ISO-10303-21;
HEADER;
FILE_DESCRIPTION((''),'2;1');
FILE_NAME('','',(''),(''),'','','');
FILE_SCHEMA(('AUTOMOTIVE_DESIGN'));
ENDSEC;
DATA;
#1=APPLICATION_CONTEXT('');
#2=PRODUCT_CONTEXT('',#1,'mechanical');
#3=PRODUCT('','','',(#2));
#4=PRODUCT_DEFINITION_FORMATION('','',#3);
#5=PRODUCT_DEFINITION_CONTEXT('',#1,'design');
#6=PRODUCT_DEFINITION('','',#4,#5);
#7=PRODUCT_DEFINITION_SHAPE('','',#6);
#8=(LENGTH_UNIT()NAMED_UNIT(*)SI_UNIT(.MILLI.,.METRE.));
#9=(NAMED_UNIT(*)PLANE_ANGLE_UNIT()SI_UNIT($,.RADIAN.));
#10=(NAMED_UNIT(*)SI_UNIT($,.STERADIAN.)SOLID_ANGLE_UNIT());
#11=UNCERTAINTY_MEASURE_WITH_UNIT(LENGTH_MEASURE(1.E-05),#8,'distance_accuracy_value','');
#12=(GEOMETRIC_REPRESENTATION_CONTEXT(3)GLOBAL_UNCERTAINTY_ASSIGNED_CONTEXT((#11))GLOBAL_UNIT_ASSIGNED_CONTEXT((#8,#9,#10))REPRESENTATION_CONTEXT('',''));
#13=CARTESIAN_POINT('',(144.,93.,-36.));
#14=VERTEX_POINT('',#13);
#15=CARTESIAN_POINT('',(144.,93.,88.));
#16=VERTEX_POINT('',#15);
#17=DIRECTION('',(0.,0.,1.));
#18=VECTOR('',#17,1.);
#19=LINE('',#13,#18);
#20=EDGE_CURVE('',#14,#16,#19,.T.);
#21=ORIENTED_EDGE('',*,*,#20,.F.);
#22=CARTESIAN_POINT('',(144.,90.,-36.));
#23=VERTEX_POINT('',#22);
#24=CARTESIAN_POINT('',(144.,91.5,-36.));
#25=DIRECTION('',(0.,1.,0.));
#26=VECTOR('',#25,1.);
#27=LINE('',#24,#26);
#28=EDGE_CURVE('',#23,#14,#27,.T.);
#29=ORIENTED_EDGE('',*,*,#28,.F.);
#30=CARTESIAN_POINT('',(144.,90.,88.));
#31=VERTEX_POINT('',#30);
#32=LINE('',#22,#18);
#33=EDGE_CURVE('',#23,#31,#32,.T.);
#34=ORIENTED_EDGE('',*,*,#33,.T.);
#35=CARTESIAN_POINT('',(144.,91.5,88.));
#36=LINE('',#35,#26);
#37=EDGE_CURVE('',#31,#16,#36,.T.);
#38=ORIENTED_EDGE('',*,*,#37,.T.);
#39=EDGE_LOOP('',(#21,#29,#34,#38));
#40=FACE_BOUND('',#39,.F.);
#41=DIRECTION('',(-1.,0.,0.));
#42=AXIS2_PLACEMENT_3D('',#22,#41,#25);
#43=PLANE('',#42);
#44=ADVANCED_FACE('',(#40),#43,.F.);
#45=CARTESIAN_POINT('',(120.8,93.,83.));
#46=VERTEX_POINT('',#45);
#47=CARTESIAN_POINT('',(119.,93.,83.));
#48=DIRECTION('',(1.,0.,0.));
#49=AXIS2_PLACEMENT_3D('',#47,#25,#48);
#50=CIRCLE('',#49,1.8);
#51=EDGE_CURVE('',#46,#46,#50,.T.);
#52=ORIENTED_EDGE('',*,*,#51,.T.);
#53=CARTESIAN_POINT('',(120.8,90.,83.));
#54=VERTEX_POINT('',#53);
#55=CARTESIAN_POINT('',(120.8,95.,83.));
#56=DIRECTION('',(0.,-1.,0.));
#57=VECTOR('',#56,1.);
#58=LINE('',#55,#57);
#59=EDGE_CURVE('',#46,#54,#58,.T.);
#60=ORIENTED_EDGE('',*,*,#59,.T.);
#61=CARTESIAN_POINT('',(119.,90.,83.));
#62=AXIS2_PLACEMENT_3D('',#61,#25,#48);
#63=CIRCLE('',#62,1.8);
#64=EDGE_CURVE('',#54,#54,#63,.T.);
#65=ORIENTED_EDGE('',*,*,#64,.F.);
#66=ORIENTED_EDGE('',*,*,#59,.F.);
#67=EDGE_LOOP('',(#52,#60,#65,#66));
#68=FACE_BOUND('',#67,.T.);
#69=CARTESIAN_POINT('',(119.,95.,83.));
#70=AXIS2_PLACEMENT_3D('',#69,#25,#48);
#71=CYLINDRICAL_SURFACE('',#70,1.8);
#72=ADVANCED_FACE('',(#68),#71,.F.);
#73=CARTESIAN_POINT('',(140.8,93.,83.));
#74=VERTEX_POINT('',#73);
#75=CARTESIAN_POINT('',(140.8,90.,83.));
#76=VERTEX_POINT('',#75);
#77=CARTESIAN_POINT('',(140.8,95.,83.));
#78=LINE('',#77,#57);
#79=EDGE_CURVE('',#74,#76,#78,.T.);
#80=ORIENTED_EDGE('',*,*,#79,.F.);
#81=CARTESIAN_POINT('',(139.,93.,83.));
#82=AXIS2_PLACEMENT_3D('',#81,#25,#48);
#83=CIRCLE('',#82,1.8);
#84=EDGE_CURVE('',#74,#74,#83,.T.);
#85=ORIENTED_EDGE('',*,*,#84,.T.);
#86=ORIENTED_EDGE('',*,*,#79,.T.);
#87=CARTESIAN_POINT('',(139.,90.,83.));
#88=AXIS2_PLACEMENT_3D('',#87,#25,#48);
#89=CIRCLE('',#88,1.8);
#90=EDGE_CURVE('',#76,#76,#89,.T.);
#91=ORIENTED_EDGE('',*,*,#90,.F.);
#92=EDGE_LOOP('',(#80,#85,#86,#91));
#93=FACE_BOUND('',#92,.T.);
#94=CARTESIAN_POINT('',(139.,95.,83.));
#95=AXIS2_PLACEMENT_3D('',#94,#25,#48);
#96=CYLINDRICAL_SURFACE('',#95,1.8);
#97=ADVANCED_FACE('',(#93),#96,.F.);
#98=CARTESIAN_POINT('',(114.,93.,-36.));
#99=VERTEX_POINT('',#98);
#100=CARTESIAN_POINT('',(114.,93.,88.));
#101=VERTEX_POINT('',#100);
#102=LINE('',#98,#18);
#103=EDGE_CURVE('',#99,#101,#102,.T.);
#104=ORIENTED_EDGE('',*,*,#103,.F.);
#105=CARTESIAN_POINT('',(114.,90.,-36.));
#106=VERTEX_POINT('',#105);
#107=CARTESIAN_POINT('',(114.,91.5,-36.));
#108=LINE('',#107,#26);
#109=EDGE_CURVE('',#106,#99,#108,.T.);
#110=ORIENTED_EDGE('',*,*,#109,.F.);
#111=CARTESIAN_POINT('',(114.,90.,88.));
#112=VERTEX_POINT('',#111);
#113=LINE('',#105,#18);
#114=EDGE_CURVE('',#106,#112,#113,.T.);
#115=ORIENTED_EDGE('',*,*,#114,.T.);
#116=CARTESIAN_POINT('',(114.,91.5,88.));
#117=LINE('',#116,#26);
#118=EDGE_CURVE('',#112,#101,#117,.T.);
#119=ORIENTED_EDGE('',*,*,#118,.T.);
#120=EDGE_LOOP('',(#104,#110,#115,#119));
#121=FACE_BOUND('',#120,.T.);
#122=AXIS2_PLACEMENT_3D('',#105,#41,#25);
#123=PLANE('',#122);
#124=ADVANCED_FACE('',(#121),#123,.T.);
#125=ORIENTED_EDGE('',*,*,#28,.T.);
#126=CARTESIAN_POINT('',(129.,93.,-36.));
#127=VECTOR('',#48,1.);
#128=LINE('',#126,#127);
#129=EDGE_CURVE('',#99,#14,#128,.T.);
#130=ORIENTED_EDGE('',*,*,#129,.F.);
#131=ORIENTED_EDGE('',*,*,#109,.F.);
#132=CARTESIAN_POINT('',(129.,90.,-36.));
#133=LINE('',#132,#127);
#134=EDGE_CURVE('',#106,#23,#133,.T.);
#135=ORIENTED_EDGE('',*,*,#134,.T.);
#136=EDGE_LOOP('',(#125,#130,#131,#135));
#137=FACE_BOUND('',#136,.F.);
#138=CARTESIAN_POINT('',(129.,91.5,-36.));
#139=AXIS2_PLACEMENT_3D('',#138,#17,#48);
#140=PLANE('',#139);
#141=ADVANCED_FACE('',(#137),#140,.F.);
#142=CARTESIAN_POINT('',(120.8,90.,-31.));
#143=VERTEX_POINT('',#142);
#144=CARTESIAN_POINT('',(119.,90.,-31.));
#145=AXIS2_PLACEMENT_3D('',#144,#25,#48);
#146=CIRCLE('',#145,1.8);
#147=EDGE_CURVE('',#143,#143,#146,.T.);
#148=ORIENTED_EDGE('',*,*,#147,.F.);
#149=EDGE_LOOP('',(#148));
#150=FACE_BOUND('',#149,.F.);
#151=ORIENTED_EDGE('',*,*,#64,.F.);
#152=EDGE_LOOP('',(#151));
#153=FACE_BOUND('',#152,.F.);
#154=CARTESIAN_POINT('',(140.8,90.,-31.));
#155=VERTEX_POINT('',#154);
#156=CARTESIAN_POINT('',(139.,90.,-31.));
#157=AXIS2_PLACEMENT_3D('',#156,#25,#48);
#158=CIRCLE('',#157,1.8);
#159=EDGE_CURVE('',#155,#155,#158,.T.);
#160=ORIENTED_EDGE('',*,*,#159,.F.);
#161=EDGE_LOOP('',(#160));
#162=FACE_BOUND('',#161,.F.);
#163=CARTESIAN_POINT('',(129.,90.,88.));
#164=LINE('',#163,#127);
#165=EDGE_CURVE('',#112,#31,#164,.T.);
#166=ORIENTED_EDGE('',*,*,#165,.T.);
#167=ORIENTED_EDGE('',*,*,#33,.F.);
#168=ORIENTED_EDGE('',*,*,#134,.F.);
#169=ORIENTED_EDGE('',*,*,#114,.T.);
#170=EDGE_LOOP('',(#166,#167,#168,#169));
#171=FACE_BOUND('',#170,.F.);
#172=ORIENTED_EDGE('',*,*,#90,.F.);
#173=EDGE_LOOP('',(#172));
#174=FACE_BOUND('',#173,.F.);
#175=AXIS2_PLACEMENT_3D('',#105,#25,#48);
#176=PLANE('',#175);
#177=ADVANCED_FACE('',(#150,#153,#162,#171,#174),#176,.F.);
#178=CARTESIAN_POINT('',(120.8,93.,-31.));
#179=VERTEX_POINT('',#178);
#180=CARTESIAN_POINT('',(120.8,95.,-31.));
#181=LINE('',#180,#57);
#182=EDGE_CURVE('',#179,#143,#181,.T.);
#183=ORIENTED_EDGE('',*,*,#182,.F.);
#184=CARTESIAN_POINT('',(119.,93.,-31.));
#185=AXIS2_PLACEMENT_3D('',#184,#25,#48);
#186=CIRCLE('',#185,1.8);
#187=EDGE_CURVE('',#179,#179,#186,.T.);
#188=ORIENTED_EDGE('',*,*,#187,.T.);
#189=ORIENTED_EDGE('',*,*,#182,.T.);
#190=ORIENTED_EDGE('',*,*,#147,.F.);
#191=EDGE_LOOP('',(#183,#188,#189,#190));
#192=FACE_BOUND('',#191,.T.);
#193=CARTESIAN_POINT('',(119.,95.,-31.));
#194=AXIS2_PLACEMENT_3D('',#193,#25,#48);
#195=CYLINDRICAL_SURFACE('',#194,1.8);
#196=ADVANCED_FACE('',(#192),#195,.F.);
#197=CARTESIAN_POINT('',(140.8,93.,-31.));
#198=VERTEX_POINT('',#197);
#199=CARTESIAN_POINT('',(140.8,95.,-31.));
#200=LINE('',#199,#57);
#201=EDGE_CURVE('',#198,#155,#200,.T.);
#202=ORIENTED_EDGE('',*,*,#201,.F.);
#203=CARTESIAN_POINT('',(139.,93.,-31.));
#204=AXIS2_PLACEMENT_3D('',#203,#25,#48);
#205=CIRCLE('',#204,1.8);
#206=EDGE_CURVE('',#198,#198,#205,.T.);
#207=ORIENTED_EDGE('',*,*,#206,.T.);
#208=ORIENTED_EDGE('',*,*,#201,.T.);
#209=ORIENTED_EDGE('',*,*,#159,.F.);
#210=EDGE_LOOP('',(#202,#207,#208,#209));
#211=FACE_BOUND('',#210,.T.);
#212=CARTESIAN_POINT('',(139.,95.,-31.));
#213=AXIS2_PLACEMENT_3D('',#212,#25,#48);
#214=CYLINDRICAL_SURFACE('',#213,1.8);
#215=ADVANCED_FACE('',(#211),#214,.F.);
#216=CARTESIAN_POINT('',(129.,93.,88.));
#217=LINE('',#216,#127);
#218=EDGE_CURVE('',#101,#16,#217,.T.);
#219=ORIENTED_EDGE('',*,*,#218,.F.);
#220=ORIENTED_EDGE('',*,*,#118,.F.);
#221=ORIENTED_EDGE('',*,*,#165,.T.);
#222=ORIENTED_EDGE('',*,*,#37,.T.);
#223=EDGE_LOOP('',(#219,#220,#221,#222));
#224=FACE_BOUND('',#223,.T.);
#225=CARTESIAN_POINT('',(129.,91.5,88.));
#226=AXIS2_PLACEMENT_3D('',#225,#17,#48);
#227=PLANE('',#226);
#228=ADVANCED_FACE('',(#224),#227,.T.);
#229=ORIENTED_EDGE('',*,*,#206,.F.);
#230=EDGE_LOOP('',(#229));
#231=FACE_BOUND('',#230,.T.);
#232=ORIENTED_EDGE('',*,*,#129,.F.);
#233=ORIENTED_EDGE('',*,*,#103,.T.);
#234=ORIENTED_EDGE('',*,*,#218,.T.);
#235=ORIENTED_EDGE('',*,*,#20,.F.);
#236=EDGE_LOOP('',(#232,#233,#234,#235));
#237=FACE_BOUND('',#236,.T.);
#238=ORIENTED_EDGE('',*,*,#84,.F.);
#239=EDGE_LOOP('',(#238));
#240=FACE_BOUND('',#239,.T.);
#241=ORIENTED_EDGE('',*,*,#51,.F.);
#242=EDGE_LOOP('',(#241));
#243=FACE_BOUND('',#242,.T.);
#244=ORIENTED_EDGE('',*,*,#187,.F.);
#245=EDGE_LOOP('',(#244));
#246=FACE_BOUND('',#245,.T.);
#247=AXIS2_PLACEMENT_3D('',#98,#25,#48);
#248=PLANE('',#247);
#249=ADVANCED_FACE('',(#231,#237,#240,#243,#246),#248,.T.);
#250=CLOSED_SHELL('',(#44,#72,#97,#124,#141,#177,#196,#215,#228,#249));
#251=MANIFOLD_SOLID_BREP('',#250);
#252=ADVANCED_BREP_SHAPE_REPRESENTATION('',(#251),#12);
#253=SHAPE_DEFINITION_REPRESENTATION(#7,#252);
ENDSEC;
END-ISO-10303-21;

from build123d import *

# Parameters (mm, degrees)
CYLINDER038_R       = 1.8
CYLINDER038_DEPTH   = 10
ARRAY001019_X_COUNT = 2
ARRAY001019_X_PITCH = 20
ARRAY001019_Z_COUNT = 2
ARRAY001019_Z_PITCH = 114
BOX018_W            = 30
BOX018_H            = 3
BOX018_DEPTH        = 124


with BuildPart() as side_connector_hole_array:
    # Cylinder038 → Cylinder038 (new body)
    with BuildSketch(Plane.XZ):
        Circle(CYLINDER038_R)
    extrude(amount=CYLINDER038_DEPTH)

    # Array001019 X: side connector hole array ×2


with BuildPart() as side_connector_hole_array_1:
    add(side_connector_hole_array.part)
    with Locations(*[(i * ARRAY001019_X_PITCH, 0, 0) for i in range(1, ARRAY001019_X_COUNT)]):
        add(side_connector_hole_array.part)

    # Array001019 Z: side connector hole array ×2


with BuildPart() as side_connector_hole_array_2:
    add(side_connector_hole_array_1.part)
    with Locations(*[(0, 0, i * ARRAY001019_Z_PITCH) for i in range(1, ARRAY001019_Z_COUNT)]):
        add(side_connector_hole_array_1.part)


with BuildPart() as side_connector_hole_array_3:
    # Array001019 placement: moved
    add(side_connector_hole_array_2.part.moved(Location((5, 5, 5))))


with BuildPart() as vertical_side_connector_clone002:
    # Box018 → Box018 (new body)
    with BuildSketch(Plane.XY):
        with Locations((15, 1.5)):
            Rectangle(BOX018_W, BOX018_H)
    extrude(amount=BOX018_DEPTH)

    # Cut014: cut side connector hole array
    add(side_connector_hole_array_3.part, mode=Mode.SUBTRACT)


with BuildPart() as vertical_side_connector_clone002_1:
    # Compound001 placement: moved
    add(vertical_side_connector_clone002.part.moved(Location((0, -11, -36))))


with BuildPart() as vertical_side_connector_clone002_2:
    # Clone006 placement: moved
    add(vertical_side_connector_clone002_1.part.moved(Location((0, 6, 2))))


with BuildPart() as vertical_side_connector_clone002_3:
    # Body006 placement: moved
    add(vertical_side_connector_clone002_2.part.moved(Location((114, 95, -2))))


solid = vertical_side_connector_clone002_3.part
